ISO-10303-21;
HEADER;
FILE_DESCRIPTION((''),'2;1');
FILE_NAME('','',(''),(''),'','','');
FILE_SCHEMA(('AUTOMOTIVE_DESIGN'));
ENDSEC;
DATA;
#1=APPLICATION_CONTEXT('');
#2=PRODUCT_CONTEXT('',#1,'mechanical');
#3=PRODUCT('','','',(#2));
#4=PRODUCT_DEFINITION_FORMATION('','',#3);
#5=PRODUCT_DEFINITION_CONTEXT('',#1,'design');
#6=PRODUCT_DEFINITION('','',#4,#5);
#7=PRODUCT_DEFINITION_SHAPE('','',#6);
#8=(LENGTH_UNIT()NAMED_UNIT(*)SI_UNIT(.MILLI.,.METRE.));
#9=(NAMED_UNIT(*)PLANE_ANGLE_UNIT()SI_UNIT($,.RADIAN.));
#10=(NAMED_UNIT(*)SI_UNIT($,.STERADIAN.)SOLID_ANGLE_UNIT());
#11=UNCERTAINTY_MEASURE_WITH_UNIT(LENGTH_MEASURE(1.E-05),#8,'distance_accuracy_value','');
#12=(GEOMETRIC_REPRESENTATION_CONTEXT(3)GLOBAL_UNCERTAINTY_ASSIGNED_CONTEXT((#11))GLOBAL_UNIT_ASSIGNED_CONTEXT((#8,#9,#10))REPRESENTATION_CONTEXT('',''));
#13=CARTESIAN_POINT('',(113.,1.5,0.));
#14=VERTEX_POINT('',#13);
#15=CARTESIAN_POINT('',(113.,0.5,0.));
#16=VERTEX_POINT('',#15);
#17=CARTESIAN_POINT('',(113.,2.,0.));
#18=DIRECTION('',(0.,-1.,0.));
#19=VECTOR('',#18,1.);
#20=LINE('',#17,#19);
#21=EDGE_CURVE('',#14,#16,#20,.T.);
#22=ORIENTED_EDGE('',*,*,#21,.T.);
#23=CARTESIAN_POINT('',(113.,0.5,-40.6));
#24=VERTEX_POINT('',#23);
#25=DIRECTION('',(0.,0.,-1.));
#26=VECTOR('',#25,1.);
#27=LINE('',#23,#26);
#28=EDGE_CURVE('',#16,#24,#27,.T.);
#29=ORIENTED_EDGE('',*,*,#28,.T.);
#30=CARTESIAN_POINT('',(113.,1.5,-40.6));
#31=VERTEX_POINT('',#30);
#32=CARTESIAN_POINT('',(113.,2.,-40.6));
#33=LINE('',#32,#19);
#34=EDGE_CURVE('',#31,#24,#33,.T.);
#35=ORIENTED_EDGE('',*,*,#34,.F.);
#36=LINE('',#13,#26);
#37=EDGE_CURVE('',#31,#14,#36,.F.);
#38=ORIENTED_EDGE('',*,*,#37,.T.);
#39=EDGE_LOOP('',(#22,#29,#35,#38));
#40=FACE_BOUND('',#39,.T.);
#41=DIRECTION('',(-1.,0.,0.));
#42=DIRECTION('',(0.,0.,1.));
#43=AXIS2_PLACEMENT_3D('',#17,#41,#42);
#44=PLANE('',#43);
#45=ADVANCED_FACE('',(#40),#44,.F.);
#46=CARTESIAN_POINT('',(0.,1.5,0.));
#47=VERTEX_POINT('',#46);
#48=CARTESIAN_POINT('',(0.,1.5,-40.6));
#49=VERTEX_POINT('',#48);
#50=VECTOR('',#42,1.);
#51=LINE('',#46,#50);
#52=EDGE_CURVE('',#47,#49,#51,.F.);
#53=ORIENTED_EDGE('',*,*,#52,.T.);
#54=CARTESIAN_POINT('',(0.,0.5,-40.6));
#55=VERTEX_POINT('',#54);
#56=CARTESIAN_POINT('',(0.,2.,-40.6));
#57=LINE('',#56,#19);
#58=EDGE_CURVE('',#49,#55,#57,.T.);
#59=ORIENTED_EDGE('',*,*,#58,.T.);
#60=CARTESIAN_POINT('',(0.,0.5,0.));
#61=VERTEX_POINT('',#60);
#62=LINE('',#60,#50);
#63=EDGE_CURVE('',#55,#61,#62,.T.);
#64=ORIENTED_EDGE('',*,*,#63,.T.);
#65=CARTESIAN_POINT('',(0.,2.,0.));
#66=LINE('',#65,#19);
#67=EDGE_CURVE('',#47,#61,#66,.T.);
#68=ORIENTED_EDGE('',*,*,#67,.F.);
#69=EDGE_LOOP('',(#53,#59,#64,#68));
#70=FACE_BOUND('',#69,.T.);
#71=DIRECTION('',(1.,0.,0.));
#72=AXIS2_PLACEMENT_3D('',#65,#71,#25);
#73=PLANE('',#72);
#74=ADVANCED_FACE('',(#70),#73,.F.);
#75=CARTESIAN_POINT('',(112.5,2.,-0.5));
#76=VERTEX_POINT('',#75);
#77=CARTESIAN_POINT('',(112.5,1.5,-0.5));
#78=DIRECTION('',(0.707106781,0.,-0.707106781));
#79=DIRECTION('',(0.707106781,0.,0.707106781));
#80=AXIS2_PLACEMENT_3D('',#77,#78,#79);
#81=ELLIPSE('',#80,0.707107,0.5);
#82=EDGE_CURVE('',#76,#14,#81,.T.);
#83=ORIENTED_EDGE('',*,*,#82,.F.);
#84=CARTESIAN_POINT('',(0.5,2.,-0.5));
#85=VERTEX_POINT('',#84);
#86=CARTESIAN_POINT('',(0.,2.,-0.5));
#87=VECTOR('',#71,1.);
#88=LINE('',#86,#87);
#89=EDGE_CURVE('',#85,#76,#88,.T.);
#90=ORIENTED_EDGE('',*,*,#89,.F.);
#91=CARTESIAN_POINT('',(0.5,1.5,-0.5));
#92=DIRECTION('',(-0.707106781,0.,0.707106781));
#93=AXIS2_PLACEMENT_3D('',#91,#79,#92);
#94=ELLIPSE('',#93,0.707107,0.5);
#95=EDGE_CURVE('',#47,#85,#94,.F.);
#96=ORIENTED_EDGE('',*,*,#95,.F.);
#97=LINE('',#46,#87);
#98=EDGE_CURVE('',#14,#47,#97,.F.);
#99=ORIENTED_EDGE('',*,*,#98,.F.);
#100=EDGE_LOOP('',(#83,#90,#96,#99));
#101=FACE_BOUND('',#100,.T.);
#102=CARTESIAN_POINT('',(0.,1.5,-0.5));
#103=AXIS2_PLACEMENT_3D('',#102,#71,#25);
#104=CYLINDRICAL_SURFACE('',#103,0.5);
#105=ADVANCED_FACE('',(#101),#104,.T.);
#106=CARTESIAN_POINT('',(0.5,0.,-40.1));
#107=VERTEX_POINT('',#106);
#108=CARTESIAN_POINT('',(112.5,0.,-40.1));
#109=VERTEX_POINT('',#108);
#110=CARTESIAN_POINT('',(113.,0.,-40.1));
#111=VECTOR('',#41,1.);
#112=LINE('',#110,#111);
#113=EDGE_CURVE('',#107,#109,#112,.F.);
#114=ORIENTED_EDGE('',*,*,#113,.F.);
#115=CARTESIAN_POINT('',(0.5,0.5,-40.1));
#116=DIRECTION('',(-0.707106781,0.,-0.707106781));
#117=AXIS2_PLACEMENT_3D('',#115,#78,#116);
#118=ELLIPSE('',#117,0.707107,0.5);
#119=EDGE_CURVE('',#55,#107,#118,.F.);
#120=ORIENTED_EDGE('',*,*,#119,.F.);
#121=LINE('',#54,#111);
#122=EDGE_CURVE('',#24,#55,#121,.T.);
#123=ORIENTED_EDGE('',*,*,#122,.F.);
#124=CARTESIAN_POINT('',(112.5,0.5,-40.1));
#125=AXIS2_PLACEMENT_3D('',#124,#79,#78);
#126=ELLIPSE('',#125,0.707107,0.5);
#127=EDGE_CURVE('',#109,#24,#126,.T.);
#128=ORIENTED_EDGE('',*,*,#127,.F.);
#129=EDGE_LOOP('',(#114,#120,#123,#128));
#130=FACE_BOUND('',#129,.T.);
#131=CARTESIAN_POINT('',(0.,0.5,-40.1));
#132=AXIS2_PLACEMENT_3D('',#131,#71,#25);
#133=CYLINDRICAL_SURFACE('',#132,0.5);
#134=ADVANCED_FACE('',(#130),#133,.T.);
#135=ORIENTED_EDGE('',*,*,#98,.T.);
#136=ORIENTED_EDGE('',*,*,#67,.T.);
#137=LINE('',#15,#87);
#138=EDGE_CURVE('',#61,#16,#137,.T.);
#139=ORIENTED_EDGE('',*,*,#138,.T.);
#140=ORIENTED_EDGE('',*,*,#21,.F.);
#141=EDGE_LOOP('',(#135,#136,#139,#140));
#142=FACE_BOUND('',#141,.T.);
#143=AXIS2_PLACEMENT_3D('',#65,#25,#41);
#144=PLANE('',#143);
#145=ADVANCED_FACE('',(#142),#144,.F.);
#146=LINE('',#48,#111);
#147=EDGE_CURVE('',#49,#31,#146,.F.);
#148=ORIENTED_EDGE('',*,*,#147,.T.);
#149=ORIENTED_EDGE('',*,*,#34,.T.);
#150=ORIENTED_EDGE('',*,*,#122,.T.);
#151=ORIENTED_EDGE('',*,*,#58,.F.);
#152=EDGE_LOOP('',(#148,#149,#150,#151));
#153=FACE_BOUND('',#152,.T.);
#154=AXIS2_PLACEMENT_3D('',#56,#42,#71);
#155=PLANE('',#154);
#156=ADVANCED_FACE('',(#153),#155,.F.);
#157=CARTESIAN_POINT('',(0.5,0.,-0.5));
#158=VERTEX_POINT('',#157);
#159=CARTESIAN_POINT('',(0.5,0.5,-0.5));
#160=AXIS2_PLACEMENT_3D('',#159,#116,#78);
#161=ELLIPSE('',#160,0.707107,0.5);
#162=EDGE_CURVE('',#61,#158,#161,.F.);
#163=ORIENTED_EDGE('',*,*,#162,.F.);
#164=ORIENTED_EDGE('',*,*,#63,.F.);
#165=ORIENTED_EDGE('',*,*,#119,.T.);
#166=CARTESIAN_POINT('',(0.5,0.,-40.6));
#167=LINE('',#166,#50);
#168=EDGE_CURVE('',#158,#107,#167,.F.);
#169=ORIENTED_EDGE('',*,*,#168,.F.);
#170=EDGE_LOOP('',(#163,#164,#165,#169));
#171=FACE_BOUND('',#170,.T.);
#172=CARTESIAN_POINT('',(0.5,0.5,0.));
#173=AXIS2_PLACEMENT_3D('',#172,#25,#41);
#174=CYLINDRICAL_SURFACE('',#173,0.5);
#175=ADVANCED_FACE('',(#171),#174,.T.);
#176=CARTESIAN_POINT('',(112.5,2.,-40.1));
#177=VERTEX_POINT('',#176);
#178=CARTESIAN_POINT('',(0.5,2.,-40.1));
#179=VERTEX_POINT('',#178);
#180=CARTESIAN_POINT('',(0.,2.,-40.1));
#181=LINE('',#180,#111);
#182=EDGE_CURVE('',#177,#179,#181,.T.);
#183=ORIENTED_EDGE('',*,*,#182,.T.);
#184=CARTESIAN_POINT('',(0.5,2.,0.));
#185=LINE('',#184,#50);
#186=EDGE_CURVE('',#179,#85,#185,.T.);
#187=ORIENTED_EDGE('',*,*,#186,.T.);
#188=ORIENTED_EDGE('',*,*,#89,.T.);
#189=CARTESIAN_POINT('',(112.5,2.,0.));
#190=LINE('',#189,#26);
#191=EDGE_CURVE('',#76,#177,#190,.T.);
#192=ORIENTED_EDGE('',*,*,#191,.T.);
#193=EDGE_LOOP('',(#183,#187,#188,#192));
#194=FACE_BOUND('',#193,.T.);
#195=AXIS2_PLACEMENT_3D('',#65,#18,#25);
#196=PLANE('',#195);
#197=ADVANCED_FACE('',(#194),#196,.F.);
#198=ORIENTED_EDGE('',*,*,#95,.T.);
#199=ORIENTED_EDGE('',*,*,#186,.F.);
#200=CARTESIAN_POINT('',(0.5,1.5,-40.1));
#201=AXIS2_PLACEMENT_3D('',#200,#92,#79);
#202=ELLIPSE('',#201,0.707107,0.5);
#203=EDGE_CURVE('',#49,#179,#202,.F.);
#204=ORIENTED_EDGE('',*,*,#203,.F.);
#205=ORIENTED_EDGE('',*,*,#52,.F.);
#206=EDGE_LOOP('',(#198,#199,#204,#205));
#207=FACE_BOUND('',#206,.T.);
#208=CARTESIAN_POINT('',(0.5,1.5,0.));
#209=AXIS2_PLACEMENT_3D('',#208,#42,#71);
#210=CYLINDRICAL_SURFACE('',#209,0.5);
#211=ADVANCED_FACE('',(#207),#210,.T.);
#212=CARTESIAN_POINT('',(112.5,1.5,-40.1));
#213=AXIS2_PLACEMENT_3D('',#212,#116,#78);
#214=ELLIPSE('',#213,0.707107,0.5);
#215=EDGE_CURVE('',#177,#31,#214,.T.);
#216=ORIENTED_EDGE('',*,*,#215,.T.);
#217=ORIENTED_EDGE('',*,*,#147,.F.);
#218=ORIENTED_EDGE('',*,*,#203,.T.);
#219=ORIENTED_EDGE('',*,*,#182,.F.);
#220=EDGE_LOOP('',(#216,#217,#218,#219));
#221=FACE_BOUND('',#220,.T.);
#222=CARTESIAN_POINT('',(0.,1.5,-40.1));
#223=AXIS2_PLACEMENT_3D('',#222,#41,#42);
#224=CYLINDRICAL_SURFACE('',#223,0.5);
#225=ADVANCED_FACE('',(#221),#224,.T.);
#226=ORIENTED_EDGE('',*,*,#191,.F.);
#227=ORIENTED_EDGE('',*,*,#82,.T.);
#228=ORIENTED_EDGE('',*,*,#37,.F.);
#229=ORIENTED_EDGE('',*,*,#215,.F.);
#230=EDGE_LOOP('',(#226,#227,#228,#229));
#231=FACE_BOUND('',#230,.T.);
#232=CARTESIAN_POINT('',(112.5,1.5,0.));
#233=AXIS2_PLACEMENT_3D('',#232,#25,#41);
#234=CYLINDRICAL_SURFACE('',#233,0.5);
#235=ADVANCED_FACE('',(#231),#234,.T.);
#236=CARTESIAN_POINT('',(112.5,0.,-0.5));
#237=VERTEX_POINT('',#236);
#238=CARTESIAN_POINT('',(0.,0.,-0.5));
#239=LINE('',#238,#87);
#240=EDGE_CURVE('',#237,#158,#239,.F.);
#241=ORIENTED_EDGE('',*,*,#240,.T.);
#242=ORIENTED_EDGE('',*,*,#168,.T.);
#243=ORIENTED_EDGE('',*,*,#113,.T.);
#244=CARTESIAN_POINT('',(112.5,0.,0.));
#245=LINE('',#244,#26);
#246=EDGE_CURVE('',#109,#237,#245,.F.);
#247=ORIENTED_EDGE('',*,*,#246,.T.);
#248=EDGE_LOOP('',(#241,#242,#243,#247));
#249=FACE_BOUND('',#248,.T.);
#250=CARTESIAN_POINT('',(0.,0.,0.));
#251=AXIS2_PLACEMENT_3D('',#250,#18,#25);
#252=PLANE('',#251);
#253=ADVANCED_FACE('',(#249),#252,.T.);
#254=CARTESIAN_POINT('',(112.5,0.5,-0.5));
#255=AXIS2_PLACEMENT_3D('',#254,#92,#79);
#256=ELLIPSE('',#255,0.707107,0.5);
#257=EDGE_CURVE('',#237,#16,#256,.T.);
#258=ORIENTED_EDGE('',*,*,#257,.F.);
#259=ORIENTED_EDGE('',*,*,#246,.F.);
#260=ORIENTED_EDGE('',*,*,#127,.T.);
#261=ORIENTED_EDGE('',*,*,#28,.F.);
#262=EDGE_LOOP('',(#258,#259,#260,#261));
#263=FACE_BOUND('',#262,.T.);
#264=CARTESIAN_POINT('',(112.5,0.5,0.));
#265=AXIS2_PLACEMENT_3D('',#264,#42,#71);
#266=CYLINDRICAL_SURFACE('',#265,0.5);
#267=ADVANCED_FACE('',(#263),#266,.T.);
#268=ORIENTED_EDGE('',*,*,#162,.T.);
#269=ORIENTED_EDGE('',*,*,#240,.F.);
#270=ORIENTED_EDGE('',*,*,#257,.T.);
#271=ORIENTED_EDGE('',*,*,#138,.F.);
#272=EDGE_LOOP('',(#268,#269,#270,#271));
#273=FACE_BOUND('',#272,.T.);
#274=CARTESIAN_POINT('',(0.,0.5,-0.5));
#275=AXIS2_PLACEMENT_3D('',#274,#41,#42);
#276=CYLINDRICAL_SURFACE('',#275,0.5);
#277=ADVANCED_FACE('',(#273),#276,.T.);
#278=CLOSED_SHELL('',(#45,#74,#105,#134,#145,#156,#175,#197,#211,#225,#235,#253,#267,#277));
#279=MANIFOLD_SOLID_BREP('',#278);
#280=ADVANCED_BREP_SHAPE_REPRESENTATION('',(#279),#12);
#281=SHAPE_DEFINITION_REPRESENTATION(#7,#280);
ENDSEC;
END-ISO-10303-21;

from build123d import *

# Parameters (mm, degrees)
SKETCH1_W           = 113
SKETCH1_H           = 40.6
BOSS_EXTRUDE1_DEPTH = 2
FILLET1_R           = 0.5


with BuildPart() as part:
    # Sketch1 → Boss-Extrude1 (new body)
    with BuildSketch(Plane(origin=(0, 0, 0), x_dir=(1, 0, 0), z_dir=(0, 1, 0))):
        with Locations((56.5, 20.3)):
            Rectangle(SKETCH1_W, SKETCH1_H)
    extrude(amount=BOSS_EXTRUDE1_DEPTH)

    # Fillet1
    fillet1_edges = [part.edges().sort_by_distance(p)[0] for p in [
        (113, 2, -20.3),
        (56.5, 2, -40.6),
        (0, 2, -20.3),
        (56.5, 0, -40.6),
        (113, 0, -20.3),
        (56.5, 0, 0),
        (0, 0, -20.3),
        (56.5, 2, 0),
    ]]
    fillet(fillet1_edges, radius=FILLET1_R)


solid = part.part
